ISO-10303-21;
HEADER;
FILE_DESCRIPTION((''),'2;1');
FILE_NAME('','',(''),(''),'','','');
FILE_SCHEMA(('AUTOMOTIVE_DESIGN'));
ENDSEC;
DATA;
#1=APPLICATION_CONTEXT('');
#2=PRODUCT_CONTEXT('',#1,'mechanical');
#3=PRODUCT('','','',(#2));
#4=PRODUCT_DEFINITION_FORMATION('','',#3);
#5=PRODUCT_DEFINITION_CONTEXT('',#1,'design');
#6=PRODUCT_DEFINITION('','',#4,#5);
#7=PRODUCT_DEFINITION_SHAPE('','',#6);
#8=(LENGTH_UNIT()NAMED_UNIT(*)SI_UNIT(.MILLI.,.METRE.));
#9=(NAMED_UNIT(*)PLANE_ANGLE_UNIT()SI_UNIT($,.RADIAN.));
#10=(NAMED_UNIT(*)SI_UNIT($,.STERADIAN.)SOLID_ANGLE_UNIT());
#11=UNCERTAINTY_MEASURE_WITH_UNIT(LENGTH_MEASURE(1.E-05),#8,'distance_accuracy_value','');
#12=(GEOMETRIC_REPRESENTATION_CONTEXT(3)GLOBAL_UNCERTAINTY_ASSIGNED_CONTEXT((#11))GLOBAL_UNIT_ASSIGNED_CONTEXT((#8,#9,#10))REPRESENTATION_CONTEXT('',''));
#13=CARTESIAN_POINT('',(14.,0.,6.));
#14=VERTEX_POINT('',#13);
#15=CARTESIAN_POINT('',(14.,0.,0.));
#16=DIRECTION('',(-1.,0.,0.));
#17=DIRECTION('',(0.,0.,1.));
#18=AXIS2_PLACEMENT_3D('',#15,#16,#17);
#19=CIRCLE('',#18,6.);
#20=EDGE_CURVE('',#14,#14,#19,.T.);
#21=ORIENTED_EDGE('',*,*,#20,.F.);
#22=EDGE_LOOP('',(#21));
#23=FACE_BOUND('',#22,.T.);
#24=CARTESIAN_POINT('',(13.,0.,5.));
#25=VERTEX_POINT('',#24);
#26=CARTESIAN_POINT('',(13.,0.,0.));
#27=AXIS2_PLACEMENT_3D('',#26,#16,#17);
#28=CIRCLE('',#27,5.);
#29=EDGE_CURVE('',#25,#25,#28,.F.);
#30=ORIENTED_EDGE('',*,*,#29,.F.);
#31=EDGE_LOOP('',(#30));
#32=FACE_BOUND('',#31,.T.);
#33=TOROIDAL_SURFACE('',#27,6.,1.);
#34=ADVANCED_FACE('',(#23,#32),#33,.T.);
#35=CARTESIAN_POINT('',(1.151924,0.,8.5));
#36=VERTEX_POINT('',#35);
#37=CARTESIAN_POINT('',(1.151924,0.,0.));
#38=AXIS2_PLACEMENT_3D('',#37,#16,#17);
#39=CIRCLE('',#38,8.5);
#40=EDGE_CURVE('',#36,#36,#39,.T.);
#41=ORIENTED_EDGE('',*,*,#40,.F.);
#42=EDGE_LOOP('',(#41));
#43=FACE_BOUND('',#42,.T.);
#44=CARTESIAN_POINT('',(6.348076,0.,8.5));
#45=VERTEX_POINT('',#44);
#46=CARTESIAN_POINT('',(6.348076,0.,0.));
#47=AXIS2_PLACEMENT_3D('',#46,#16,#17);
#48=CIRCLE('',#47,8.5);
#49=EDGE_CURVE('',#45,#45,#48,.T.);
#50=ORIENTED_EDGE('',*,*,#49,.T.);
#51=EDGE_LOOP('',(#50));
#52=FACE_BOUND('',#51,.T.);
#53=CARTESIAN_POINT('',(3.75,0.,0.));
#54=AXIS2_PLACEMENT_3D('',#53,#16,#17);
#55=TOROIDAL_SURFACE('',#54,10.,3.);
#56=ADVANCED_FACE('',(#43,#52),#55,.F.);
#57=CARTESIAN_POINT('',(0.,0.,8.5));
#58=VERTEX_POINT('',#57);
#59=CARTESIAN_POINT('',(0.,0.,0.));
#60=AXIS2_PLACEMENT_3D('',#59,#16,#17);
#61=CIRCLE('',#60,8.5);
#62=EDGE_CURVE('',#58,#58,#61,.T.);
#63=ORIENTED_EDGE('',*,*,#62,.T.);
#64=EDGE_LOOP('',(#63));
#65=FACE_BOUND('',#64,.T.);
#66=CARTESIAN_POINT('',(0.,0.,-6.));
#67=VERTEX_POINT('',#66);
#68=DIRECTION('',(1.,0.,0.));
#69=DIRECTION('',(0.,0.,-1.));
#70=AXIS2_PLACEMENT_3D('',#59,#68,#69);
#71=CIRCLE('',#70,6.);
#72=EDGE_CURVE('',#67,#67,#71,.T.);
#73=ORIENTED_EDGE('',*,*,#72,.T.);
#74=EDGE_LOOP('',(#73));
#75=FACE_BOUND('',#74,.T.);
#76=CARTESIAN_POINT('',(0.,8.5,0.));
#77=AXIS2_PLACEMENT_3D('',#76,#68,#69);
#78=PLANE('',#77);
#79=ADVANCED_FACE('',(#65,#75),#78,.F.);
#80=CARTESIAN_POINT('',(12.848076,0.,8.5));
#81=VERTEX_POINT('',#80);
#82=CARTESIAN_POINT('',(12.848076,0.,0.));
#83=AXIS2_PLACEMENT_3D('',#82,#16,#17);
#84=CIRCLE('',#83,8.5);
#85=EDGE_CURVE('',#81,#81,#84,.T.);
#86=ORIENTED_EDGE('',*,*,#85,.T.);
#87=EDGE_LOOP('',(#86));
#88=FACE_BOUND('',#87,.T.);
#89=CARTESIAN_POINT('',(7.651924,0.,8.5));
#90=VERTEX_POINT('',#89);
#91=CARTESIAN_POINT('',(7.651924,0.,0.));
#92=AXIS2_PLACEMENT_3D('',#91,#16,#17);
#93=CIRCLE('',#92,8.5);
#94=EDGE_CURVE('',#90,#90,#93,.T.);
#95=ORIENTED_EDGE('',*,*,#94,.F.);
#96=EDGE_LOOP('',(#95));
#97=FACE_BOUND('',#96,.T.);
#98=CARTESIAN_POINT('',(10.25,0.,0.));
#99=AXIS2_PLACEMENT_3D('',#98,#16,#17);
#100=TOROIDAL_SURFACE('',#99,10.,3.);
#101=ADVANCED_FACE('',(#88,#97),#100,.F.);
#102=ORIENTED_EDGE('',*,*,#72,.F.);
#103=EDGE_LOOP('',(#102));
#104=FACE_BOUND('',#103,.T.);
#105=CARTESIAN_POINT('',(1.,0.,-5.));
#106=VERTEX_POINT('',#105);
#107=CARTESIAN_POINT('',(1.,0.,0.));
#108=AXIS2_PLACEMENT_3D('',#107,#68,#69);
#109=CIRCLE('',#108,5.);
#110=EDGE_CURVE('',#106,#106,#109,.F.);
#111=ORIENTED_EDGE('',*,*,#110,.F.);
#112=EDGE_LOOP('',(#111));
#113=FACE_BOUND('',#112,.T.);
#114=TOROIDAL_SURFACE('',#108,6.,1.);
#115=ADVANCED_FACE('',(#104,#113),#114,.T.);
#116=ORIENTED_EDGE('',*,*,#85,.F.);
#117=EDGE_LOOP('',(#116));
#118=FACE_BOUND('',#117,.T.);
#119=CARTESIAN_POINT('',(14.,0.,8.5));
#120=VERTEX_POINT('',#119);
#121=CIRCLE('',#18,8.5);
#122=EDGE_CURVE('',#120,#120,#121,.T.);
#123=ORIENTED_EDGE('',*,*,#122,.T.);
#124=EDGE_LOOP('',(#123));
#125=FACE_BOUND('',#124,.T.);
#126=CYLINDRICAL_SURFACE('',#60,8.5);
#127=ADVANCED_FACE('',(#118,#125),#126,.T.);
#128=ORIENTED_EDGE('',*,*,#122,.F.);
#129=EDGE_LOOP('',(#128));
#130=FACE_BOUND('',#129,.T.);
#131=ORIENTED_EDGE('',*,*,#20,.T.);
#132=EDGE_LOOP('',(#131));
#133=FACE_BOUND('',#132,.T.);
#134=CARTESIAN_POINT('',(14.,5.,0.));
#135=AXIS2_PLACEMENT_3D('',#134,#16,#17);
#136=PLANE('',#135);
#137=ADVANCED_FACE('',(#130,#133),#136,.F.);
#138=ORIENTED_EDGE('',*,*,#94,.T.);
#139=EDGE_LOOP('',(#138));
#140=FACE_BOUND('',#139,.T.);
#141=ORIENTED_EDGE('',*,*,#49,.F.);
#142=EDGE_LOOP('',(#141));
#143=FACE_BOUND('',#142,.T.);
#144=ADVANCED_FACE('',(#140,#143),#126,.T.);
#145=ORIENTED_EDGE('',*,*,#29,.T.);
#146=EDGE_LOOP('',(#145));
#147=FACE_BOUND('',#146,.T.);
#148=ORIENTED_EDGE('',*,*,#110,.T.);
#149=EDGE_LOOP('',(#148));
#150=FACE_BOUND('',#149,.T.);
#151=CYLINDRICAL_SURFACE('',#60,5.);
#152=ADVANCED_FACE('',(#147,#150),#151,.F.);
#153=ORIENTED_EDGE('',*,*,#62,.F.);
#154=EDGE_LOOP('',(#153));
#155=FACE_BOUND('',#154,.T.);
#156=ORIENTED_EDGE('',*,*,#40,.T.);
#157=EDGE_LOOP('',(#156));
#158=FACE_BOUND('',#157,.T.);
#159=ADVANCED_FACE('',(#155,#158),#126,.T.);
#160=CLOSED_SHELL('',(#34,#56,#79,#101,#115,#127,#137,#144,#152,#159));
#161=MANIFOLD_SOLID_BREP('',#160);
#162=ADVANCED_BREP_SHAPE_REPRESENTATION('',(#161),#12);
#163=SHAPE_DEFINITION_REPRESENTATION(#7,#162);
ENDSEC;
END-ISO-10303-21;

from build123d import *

# Parameters (mm, degrees)
CONG_1_R = 1


with BuildPart() as part:
    # Esquisse1 → Base-Révolution (revolve)
    with BuildSketch(Plane.XY, mode=Mode.PRIVATE) as base_r_volution_sk:
        with BuildLine():
            Line((0, 5), (14, 5))
            Line((14, 5), (14, 8.5))
            Line((14, 8.5), (12.848076211, 8.5))
            ThreePointArc((12.848076211, 8.5), (10.25, 7), (7.651923789, 8.5))
            Line((7.651923789, 8.5), (6.348076211, 8.5))
            ThreePointArc((6.348076211, 8.5), (3.75, 7), (1.151923789, 8.5))
            Line((1.151923789, 8.5), (0, 8.5))
            Line((0, 8.5), (0, 5))
        make_face()
    revolve(base_r_volution_sk.sketch.rotate(Axis((0, 0, 0), (1, 0, 0)), 90), axis=Axis((0, 0, 0), (1, 0, 0)))

    # Congé1
    cong_1_edges = [part.edges().sort_by_distance(p)[0] for p in [
        (14, 0, -5),
        (0, 0, -5),
    ]]
    fillet(cong_1_edges, radius=CONG_1_R)


solid = part.part
